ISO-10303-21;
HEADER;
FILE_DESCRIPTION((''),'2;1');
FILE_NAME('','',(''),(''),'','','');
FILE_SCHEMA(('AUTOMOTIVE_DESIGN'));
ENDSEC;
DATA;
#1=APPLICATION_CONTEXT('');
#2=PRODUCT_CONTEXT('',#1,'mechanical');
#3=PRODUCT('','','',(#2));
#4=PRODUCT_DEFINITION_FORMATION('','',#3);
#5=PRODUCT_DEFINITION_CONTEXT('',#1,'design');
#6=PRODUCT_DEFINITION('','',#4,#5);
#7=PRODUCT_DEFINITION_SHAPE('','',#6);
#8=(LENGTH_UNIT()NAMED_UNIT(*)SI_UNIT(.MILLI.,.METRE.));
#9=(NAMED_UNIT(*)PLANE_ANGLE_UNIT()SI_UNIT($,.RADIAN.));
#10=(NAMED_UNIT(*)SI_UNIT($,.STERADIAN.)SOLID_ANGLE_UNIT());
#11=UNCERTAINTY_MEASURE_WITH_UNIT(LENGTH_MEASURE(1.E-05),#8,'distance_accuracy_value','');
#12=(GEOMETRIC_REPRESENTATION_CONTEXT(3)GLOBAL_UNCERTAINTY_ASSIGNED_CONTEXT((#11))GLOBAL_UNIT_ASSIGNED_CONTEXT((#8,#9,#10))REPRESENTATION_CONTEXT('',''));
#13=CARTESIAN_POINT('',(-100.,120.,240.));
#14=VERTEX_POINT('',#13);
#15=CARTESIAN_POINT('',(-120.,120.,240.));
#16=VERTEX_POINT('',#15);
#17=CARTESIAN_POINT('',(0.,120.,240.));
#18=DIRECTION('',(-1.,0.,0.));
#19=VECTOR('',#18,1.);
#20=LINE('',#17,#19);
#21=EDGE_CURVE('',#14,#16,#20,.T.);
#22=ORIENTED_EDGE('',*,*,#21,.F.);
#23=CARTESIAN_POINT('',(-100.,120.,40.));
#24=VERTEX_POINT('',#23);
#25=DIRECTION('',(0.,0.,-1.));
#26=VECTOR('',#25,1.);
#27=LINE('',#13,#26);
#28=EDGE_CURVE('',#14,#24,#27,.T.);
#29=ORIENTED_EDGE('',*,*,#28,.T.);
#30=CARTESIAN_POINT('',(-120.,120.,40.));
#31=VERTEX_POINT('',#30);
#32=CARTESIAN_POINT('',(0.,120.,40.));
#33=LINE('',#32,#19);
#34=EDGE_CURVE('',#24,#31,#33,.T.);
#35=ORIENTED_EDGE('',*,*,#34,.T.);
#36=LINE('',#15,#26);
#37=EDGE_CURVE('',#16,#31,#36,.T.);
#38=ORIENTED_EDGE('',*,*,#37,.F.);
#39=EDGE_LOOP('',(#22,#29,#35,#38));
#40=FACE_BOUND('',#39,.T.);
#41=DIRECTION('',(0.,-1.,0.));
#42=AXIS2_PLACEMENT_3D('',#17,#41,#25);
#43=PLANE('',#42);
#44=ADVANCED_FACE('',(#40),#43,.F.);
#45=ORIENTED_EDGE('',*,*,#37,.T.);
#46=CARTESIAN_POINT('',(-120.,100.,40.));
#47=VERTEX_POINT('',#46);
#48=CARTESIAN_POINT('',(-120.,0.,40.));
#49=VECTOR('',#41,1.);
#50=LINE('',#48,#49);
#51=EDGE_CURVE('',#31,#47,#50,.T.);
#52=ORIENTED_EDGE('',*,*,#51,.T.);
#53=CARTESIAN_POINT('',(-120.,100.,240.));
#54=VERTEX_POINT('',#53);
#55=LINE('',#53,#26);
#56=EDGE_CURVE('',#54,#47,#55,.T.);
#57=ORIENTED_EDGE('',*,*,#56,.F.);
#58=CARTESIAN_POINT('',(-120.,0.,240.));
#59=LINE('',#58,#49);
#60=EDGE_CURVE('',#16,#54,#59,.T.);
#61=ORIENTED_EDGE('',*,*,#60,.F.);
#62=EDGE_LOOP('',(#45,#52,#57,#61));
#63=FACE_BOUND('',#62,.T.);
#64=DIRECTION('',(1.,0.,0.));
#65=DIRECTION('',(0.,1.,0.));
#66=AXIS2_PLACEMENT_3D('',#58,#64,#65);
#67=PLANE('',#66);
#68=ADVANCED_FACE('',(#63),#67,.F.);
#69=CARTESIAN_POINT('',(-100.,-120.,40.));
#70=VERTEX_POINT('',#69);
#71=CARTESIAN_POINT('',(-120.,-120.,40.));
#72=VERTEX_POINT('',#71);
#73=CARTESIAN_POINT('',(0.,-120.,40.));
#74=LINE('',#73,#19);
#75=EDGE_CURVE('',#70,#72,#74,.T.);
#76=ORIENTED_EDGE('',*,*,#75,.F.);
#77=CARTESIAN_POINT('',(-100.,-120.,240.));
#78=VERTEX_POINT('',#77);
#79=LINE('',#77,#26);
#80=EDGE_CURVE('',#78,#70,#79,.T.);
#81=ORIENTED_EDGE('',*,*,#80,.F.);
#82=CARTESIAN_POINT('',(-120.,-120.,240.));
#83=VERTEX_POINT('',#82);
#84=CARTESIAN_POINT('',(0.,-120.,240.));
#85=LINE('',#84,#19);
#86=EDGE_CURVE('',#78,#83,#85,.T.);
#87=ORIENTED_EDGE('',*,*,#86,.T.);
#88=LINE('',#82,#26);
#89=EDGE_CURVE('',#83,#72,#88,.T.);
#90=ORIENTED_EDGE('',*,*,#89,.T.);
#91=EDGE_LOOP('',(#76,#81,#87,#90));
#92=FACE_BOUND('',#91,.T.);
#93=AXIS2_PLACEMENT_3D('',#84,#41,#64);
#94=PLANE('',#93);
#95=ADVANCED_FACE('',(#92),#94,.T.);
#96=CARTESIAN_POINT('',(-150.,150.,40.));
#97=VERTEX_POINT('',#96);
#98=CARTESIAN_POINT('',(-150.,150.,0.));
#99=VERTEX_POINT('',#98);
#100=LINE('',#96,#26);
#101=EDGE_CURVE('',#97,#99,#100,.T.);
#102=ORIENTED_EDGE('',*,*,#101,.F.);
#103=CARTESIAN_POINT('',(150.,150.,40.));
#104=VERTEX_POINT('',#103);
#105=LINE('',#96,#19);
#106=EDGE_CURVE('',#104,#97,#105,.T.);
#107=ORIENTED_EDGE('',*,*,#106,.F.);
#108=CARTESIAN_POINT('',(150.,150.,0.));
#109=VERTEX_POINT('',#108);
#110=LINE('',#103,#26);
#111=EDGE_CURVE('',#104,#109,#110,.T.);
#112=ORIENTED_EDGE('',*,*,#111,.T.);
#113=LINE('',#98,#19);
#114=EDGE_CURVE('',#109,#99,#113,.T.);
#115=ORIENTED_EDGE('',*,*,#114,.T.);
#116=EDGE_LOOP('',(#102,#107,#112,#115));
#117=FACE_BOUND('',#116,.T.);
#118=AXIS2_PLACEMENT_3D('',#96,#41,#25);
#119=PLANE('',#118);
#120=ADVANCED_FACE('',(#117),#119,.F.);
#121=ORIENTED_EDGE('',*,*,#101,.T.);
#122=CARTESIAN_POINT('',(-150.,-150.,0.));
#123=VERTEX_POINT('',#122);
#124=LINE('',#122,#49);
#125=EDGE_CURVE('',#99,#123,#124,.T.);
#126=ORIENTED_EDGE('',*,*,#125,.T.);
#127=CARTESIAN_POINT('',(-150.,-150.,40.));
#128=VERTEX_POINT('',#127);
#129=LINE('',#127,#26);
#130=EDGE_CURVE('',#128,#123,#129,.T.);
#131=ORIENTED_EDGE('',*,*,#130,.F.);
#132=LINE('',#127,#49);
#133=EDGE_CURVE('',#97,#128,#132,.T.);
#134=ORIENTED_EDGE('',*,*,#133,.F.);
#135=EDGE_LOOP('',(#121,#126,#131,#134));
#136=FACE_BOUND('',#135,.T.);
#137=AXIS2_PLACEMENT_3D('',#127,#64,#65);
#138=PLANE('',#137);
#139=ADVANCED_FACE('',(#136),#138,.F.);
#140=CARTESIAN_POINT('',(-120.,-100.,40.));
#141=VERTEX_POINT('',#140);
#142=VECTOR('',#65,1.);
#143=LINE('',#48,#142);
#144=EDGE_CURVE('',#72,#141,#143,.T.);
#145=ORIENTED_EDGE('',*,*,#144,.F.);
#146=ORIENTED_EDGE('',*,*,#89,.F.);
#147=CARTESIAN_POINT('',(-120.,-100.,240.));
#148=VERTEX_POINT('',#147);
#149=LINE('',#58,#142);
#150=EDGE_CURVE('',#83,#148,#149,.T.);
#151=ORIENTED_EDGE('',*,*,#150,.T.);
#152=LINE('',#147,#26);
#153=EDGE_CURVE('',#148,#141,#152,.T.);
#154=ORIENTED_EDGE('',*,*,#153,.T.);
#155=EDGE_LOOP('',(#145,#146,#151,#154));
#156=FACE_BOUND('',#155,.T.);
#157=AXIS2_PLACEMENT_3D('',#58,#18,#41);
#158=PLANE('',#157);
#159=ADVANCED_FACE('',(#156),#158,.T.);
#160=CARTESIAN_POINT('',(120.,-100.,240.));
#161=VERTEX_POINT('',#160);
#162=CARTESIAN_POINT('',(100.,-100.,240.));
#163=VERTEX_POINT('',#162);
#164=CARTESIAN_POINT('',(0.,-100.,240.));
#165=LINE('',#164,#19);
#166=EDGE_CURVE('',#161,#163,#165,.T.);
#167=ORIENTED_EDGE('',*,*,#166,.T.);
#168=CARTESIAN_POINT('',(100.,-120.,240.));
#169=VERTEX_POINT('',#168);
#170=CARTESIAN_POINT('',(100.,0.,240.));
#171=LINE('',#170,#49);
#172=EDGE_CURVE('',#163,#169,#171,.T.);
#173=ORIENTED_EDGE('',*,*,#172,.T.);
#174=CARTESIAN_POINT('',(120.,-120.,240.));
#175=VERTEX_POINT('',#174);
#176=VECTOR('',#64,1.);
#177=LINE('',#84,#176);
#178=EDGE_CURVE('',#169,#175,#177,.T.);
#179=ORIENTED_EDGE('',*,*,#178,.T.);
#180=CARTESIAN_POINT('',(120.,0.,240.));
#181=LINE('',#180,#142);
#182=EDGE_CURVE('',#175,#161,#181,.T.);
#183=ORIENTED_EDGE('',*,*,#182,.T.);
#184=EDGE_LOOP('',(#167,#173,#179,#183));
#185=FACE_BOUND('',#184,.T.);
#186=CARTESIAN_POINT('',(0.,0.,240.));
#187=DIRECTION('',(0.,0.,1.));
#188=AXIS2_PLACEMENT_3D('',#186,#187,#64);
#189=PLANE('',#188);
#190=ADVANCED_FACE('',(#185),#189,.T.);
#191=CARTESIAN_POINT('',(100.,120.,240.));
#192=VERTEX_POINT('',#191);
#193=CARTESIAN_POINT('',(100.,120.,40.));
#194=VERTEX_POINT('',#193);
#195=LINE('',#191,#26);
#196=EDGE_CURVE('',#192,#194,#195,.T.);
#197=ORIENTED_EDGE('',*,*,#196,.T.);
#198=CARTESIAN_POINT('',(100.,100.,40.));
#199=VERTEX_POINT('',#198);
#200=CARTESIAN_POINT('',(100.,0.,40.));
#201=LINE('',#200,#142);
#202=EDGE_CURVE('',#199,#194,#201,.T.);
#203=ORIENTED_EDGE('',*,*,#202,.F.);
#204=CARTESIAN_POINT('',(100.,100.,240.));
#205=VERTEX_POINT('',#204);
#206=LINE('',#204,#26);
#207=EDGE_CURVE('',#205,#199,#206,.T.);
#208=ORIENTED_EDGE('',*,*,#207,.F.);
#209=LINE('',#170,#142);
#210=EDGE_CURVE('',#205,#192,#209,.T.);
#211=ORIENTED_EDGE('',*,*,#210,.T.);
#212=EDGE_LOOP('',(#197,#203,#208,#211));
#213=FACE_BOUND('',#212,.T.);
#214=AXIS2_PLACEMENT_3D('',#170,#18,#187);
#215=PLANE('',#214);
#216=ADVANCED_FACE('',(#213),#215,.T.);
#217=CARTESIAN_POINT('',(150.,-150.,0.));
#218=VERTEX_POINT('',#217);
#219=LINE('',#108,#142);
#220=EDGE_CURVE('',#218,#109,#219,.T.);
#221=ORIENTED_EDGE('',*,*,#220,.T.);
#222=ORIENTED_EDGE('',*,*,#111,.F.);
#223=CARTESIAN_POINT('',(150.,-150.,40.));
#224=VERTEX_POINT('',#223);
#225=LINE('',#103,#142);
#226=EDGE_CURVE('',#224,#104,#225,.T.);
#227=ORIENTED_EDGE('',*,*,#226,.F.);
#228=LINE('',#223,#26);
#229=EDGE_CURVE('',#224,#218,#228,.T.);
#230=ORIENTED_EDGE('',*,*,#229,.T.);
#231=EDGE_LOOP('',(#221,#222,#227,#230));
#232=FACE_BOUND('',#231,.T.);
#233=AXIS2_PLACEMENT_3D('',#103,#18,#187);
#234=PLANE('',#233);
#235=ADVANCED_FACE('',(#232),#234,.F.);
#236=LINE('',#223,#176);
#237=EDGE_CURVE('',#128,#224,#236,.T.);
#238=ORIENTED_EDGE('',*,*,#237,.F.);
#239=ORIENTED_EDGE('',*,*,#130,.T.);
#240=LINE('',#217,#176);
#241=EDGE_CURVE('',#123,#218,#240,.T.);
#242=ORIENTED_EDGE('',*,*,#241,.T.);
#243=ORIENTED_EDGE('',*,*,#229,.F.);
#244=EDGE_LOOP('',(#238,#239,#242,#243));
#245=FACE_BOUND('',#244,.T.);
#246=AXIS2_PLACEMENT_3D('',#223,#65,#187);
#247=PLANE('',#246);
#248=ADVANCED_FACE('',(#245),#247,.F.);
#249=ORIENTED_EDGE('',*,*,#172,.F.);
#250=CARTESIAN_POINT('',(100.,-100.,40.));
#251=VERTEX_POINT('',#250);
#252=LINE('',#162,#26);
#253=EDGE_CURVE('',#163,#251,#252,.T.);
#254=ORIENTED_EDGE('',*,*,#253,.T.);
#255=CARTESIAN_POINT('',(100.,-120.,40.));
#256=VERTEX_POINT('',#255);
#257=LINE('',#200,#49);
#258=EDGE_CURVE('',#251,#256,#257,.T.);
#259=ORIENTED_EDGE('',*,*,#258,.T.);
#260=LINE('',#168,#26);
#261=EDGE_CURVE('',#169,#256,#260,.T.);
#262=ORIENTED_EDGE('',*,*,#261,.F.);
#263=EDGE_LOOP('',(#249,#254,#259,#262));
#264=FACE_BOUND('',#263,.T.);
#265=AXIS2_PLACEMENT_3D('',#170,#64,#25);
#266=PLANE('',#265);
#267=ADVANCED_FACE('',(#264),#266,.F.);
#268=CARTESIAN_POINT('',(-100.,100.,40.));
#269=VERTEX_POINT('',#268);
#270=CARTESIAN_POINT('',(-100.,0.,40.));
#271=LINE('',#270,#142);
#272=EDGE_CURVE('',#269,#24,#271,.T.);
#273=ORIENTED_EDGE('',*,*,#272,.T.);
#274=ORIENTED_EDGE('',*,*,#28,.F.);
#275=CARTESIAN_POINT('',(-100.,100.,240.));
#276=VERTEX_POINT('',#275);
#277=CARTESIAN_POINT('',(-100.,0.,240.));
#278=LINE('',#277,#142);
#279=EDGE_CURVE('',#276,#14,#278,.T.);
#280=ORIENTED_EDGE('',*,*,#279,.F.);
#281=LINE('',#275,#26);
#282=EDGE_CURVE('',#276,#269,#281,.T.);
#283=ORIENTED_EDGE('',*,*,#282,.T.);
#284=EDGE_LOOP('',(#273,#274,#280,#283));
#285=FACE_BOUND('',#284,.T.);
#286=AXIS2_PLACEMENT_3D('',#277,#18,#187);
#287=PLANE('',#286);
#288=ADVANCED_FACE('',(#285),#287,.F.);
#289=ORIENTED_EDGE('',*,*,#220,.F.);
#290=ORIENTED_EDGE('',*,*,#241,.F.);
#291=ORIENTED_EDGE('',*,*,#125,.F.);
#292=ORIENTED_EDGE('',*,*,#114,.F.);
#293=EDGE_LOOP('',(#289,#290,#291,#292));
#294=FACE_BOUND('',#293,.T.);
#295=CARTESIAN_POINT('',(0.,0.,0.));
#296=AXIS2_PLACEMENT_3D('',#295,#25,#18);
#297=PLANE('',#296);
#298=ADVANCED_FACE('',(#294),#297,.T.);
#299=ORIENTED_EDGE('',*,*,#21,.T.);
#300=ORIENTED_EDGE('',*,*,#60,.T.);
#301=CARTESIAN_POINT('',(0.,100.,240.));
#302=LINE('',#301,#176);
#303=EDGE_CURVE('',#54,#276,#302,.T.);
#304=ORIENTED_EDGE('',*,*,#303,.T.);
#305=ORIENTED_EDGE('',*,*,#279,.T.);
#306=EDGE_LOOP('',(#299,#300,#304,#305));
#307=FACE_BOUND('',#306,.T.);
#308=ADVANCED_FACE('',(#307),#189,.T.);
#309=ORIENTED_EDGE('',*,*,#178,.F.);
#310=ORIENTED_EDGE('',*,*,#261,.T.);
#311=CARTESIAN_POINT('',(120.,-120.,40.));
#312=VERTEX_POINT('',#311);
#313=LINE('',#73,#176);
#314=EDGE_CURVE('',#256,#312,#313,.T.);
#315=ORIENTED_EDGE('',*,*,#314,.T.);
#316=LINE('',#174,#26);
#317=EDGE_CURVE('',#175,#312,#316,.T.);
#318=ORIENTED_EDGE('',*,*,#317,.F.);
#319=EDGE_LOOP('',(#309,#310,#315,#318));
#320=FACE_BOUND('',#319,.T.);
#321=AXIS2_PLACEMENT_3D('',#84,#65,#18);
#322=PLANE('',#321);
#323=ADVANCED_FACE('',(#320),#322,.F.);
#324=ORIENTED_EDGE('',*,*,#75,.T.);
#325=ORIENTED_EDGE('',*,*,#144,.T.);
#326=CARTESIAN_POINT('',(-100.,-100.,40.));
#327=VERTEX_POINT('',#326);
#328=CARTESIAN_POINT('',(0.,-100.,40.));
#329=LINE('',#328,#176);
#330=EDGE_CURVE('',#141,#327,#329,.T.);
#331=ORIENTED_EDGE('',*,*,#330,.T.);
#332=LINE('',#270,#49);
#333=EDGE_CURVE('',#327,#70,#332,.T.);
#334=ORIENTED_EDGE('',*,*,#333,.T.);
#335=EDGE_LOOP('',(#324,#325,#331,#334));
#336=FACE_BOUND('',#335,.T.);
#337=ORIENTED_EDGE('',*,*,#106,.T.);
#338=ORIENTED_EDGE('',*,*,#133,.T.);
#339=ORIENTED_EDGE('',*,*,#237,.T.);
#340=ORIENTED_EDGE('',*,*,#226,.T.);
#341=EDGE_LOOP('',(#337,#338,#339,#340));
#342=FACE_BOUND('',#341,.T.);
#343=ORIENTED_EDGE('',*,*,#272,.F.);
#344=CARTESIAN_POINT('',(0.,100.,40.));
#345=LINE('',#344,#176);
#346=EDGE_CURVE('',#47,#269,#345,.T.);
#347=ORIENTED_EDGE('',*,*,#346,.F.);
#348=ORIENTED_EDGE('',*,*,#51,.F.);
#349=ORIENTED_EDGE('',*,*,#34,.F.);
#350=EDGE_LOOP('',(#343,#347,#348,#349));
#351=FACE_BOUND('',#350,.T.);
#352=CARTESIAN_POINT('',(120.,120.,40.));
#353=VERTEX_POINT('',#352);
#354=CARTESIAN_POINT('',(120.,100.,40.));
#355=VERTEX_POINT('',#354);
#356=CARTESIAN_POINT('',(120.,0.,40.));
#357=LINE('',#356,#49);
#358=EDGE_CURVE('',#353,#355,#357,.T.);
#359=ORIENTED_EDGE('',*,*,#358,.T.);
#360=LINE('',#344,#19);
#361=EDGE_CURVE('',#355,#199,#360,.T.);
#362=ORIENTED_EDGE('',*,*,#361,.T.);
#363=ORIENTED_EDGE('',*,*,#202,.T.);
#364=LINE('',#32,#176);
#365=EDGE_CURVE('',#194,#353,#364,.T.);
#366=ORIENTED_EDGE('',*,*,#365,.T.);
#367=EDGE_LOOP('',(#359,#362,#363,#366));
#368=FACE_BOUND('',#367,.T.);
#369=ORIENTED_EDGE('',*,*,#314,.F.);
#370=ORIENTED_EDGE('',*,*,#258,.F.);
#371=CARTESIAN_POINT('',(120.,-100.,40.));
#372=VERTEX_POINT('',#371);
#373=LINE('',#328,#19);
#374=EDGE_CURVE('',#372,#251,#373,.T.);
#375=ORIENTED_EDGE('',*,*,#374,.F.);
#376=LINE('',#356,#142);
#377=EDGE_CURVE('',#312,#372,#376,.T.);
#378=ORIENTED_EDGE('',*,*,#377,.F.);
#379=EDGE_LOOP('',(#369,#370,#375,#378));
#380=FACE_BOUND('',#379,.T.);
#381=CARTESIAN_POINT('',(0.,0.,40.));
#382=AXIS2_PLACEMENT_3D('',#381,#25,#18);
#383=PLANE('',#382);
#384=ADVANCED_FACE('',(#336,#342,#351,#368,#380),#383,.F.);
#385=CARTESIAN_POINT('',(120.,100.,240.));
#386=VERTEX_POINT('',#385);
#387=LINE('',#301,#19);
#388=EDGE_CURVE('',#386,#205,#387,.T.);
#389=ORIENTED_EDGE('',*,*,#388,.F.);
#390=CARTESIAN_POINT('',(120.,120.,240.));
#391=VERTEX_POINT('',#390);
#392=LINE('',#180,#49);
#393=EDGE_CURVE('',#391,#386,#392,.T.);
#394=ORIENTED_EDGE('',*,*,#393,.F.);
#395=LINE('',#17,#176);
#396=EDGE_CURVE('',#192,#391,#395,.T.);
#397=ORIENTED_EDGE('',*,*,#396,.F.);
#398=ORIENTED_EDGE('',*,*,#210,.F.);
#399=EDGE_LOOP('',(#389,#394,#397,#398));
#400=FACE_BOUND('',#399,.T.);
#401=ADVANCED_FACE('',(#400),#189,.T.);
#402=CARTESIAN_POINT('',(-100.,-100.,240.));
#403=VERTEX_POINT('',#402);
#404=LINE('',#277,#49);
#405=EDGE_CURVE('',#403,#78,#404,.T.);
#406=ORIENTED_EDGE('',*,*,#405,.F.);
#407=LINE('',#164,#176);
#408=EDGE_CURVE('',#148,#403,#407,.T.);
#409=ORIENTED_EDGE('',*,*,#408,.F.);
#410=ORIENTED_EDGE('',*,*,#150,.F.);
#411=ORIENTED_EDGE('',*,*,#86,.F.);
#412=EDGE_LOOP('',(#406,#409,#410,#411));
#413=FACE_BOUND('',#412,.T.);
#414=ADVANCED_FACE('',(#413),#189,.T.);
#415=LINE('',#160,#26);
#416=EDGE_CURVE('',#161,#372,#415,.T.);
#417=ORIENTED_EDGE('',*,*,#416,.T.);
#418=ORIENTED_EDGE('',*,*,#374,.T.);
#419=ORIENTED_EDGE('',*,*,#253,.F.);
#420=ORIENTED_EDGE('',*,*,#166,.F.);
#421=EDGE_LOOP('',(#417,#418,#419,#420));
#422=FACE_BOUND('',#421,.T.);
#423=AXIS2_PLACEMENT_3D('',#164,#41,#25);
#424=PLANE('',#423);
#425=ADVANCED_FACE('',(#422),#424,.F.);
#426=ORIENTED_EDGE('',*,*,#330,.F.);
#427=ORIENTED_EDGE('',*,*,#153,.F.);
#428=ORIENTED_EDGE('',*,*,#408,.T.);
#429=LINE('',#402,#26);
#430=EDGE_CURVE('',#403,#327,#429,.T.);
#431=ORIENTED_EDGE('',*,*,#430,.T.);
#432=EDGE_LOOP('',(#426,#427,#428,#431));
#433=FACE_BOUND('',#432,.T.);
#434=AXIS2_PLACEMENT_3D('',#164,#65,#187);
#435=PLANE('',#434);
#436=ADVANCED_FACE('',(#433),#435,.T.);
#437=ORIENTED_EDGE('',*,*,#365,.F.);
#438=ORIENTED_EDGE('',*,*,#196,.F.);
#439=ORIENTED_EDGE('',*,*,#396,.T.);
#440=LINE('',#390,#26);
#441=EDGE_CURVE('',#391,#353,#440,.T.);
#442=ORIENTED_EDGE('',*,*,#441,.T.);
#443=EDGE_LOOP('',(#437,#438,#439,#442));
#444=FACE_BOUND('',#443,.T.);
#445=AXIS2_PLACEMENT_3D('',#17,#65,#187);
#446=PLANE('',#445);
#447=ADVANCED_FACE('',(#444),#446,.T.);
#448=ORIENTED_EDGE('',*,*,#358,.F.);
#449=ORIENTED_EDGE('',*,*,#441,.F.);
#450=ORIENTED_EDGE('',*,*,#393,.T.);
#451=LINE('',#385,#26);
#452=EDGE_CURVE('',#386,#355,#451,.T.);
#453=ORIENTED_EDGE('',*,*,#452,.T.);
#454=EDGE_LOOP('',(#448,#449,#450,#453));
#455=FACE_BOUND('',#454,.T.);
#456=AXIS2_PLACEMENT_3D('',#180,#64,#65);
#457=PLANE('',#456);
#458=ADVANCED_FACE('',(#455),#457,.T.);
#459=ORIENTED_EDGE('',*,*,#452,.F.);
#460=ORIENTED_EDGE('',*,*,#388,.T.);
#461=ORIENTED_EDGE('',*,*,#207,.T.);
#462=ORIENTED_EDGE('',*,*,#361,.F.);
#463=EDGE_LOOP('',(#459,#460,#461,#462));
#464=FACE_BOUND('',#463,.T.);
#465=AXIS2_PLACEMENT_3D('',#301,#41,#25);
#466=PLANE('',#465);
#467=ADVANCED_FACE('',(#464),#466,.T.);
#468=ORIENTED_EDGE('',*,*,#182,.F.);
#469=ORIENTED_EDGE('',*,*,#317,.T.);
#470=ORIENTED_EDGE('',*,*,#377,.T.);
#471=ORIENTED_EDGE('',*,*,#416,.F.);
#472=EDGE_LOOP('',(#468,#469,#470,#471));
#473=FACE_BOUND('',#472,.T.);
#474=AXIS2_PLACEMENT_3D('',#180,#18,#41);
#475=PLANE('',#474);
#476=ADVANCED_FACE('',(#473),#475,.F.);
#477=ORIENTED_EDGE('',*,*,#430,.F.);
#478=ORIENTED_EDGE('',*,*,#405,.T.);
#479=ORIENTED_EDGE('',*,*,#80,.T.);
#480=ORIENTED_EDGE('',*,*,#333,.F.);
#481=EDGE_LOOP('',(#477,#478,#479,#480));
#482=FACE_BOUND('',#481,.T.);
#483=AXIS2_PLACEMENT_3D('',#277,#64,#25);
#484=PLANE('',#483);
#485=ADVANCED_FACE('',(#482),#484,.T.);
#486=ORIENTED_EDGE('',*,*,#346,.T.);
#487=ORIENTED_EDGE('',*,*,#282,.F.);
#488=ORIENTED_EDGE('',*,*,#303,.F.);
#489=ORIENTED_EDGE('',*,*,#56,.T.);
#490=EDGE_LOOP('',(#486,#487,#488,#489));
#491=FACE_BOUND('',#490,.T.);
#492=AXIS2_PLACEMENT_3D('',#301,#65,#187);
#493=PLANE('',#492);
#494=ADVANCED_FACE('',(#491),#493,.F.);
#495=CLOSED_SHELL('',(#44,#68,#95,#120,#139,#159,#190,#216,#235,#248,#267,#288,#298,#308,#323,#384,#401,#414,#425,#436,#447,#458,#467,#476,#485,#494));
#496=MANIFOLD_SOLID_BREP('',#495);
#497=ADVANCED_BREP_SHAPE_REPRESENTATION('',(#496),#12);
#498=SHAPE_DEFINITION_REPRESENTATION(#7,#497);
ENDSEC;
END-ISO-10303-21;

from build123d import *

# Parameters (mm, degrees)
SKETCH1_W           = 300
SKETCH1_H           = 300
BOSS_EXTRUDE1_DEPTH = 40
SKETCH2_W           = 20
SKETCH2_H           = 20
BOSS_EXTRUDE2_DEPTH = 200


with BuildPart() as part:
    # Sketch1 → Boss-Extrude1 (new body)
    with BuildSketch(Plane.XY):
        Rectangle(SKETCH1_W, SKETCH1_H)
    extrude(amount=BOSS_EXTRUDE1_DEPTH)

    # Sketch2 → Boss-Extrude2 (add)
    with BuildSketch(Plane.XY.offset(40)):
        with Locations((110, 110)):
            Rectangle(SKETCH2_W, SKETCH2_H)
        with Locations((-110, 110)):
            Rectangle(SKETCH2_W, SKETCH2_H)
        with Locations((-110, -110)):
            Rectangle(SKETCH2_W, SKETCH2_H)
        with Locations((110, -110)):
            Rectangle(SKETCH2_W, SKETCH2_H)
    extrude(amount=BOSS_EXTRUDE2_DEPTH)


solid = part.part
